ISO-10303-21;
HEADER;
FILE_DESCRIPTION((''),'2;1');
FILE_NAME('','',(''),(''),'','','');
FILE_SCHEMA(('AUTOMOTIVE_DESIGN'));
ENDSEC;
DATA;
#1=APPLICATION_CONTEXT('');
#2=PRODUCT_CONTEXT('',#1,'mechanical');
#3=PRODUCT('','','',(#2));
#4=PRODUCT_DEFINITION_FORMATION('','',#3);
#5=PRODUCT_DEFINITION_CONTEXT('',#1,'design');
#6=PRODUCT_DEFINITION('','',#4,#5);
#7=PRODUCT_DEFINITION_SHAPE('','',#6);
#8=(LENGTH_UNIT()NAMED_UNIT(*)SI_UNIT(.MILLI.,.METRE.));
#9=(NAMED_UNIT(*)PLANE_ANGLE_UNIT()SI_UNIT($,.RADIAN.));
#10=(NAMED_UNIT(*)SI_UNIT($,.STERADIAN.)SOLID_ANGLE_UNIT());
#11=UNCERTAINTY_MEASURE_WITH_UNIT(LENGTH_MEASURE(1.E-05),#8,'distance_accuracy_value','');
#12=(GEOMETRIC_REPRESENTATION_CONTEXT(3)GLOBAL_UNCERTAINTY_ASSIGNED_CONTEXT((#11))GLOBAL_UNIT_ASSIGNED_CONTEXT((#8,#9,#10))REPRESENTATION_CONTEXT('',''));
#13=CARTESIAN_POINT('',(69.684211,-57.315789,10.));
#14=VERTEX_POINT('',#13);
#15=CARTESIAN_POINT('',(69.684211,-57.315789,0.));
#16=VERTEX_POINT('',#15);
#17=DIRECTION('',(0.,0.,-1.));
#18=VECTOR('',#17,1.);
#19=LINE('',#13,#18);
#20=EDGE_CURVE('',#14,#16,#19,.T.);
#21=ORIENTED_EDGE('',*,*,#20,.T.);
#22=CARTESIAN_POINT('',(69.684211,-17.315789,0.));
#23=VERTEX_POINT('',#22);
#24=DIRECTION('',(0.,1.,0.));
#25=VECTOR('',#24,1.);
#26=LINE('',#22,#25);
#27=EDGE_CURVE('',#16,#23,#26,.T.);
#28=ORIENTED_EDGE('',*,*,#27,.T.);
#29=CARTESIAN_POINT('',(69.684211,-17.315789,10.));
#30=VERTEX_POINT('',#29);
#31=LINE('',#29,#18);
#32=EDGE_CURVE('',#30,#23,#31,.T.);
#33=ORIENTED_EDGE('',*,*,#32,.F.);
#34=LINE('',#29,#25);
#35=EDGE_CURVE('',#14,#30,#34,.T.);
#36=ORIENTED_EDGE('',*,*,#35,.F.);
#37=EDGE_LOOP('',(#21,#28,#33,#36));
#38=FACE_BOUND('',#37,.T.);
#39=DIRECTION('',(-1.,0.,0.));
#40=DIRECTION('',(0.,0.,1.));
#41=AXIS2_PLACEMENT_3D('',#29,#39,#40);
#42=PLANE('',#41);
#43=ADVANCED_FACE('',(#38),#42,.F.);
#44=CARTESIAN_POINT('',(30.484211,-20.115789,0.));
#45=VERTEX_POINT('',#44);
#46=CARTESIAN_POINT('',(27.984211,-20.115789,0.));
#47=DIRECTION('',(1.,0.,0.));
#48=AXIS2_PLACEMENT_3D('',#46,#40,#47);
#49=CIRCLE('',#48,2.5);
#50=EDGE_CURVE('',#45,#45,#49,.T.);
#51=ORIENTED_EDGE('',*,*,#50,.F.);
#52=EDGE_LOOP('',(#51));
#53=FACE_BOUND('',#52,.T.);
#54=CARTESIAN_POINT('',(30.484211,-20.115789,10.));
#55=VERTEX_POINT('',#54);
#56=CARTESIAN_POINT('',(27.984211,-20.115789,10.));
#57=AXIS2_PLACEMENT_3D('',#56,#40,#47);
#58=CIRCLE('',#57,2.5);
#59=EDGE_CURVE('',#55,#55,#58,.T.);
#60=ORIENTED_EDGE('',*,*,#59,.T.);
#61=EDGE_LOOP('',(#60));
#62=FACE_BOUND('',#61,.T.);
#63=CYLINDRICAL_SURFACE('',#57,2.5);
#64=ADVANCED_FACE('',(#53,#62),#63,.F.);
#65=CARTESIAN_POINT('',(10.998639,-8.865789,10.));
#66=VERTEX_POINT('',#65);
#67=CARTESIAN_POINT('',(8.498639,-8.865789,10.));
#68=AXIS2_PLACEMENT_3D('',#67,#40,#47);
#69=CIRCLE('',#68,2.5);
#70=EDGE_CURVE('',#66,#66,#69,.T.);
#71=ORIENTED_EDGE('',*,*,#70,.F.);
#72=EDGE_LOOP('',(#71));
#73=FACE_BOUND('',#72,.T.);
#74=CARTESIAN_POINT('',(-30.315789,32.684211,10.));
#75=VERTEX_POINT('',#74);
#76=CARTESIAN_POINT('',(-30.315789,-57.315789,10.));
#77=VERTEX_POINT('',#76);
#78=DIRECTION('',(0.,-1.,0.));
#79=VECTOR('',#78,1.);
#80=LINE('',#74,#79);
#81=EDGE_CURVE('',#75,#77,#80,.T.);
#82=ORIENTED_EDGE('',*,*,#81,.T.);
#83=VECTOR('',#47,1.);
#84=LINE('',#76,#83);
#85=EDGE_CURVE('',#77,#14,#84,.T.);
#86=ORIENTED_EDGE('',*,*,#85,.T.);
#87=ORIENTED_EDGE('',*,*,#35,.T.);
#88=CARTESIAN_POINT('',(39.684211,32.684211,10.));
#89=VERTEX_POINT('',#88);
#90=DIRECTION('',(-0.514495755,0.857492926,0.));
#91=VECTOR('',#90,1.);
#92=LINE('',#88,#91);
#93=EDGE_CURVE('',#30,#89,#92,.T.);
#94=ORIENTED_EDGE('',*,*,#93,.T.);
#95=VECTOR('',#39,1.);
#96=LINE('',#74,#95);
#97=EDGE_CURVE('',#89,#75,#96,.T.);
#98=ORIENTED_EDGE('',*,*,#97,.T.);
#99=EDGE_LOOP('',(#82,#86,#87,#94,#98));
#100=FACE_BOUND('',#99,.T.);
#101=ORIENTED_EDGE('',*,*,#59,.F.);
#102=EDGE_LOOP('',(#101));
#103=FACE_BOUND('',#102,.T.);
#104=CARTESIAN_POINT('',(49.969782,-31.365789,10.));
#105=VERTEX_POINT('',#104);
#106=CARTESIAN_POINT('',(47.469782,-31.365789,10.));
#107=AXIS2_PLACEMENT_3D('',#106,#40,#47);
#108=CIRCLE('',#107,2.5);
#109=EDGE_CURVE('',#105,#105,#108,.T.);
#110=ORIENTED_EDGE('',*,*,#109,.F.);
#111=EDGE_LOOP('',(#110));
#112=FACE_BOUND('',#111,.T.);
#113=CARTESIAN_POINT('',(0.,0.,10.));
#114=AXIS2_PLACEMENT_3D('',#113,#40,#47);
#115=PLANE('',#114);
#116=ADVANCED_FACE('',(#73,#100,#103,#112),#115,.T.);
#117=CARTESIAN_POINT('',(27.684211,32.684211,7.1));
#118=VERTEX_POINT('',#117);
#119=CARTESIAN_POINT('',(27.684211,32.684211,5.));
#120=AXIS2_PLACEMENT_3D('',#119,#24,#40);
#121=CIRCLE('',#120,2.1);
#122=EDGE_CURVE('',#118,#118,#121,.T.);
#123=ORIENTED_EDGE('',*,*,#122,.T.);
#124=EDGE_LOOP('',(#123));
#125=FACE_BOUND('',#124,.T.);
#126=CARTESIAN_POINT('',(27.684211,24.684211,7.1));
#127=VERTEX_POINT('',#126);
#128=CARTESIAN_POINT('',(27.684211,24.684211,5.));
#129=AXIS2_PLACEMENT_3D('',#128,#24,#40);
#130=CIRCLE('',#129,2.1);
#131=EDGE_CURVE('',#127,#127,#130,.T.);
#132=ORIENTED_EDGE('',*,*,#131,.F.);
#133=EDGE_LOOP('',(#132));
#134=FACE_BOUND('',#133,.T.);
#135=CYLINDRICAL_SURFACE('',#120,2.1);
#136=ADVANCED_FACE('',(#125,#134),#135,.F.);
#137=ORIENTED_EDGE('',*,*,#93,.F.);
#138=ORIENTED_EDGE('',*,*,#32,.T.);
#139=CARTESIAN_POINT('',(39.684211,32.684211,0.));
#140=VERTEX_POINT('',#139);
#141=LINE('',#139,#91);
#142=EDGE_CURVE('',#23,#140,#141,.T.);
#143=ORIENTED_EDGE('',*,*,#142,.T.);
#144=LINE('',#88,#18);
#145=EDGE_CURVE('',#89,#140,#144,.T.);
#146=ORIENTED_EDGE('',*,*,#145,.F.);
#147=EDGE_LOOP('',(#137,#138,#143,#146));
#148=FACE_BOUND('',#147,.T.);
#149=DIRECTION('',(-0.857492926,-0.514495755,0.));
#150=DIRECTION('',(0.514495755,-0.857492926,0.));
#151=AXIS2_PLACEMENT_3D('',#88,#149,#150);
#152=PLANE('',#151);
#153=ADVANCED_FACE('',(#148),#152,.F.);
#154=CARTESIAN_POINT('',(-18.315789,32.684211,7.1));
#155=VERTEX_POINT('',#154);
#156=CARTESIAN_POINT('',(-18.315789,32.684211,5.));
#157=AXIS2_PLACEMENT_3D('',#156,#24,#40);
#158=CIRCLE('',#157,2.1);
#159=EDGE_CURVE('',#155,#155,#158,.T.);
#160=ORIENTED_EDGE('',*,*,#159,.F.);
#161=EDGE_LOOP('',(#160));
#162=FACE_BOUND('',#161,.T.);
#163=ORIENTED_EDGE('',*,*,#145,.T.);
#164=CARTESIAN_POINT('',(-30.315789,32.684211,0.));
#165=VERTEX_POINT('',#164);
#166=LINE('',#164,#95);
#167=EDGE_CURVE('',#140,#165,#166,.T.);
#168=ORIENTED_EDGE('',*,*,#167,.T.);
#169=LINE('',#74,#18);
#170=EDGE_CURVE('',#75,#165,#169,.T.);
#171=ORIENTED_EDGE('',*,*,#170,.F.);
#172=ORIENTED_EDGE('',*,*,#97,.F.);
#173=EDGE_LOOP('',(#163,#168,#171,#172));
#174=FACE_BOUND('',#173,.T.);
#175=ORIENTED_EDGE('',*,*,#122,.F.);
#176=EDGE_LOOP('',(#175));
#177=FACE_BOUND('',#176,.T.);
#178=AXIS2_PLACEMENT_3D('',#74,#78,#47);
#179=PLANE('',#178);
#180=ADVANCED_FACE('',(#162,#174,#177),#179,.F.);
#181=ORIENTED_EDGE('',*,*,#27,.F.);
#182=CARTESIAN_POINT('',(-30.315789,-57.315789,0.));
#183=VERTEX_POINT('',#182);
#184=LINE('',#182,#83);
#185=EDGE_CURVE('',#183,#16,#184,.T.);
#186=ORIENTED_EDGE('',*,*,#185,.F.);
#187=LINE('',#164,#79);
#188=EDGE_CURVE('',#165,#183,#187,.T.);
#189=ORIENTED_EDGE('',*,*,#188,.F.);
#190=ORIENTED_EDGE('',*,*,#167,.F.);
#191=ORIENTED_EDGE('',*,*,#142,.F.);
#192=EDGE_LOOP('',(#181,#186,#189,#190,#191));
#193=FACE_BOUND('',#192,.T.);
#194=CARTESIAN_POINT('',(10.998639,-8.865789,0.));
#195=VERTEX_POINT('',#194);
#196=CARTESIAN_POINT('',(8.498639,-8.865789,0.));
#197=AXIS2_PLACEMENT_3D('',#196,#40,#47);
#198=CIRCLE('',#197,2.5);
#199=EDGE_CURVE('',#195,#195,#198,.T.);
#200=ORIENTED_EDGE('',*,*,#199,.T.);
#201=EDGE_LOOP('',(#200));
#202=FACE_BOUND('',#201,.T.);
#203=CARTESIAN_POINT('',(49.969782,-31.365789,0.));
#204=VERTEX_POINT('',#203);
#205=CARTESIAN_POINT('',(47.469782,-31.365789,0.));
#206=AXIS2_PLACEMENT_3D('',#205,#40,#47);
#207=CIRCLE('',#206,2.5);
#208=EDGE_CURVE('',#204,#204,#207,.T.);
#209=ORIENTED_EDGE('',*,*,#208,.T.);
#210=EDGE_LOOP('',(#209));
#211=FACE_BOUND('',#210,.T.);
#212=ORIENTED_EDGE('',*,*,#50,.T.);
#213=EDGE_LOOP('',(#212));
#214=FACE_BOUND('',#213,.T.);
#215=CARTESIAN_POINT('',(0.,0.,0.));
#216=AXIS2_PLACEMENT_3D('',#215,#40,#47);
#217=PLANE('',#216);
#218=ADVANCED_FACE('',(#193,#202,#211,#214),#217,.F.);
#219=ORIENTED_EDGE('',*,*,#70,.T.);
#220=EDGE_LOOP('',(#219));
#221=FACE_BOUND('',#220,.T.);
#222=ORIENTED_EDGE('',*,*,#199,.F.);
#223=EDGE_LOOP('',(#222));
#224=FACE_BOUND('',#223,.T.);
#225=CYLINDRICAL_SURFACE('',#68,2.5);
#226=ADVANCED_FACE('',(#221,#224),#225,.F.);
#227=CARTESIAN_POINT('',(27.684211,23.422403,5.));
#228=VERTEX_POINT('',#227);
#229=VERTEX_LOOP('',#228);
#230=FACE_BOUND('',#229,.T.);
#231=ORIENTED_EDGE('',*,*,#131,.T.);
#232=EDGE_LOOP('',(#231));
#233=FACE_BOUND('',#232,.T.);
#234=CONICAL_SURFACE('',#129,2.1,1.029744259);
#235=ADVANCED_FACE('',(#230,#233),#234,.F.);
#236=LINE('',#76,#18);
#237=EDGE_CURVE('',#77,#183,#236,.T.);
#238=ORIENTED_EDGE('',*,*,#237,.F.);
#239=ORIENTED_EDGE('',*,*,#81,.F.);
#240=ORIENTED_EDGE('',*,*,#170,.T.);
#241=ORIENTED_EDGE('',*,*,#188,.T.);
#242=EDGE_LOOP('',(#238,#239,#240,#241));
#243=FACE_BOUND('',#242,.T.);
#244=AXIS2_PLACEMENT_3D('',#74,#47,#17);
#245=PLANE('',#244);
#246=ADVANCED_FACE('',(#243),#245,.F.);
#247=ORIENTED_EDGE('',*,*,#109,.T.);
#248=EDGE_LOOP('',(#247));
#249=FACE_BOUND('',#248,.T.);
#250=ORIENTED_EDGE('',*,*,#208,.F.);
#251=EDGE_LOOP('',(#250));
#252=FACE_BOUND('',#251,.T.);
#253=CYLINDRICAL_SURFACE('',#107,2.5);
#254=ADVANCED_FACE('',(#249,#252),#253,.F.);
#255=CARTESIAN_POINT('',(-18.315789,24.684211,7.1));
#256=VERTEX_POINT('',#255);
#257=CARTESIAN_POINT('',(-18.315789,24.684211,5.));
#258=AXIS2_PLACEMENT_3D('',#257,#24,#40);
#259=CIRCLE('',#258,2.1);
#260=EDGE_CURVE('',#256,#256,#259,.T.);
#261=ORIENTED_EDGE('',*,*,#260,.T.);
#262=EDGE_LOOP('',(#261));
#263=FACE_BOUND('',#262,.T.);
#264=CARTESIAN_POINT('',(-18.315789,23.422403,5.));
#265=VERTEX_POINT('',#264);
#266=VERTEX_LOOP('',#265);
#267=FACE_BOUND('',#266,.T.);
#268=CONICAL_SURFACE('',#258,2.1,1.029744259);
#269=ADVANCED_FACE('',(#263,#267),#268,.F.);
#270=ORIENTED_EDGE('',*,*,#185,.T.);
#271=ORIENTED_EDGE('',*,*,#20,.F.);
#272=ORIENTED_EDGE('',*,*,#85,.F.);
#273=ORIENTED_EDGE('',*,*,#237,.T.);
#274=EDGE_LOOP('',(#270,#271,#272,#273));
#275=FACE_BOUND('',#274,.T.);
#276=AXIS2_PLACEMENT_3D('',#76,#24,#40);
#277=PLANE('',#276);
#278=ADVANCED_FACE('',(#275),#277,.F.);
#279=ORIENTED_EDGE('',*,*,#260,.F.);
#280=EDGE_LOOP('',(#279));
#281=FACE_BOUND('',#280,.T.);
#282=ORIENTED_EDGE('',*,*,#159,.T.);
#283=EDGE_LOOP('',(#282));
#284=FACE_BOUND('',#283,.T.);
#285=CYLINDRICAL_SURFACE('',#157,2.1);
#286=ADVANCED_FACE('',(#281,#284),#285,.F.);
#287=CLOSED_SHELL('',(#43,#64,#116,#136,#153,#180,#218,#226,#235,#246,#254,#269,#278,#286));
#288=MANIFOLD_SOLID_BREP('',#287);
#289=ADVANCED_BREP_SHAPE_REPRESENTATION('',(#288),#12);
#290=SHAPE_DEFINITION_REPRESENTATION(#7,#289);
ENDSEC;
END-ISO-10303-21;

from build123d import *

# Parameters (mm, degrees)
BOSS_EXTRUDE1_DEPTH   = 10
M6_TAPPED_HOLE1_D     = 5
M6_TAPPED_HOLE1_DEPTH = 15
M6_TAPPED_HOLE1_TIP   = 1.502151548
M5_TAPPED_HOLE1_D     = 4.2
M5_TAPPED_HOLE1_DEPTH = 8
M5_TAPPED_HOLE1_TIP   = 1.2618073


with BuildPart() as part:
    # Sketch2 → Boss-Extrude1 (new body)
    with BuildSketch(Plane.XY):
        Polygon((39.684210526, 32.684210526), (69.684210526, -17.315789474), (69.684210526, -57.315789474), (-30.315789474, -57.315789474), (-30.315789474, 32.684210526), align=None)
    extrude(amount=BOSS_EXTRUDE1_DEPTH)

    # M6 Tapped Hole1
    with Locations(Plane.XY.offset(10)):
        with Locations((8.498638941, -8.865789474), (47.469782111, -31.365789474), (27.984210526, -20.115789474)):
            Hole(M6_TAPPED_HOLE1_D / 2, depth=M6_TAPPED_HOLE1_DEPTH)
            with Locations((0, 0, -(M6_TAPPED_HOLE1_DEPTH + M6_TAPPED_HOLE1_TIP / 2))):  # 118° drill point
                Cone(0, M6_TAPPED_HOLE1_D / 2, M6_TAPPED_HOLE1_TIP, mode=Mode.SUBTRACT)

    # M5 Tapped Hole1
    with Locations(Plane(origin=(0, 32.684210526, 0), x_dir=(1, 0, 0), z_dir=(0, 1, 0))):
        with Locations((-18.315789474, -5), (27.684210526, -5)):
            Hole(M5_TAPPED_HOLE1_D / 2, depth=M5_TAPPED_HOLE1_DEPTH)
            with Locations((0, 0, -(M5_TAPPED_HOLE1_DEPTH + M5_TAPPED_HOLE1_TIP / 2))):  # 118° drill point
                Cone(0, M5_TAPPED_HOLE1_D / 2, M5_TAPPED_HOLE1_TIP, mode=Mode.SUBTRACT)


solid = part.part
